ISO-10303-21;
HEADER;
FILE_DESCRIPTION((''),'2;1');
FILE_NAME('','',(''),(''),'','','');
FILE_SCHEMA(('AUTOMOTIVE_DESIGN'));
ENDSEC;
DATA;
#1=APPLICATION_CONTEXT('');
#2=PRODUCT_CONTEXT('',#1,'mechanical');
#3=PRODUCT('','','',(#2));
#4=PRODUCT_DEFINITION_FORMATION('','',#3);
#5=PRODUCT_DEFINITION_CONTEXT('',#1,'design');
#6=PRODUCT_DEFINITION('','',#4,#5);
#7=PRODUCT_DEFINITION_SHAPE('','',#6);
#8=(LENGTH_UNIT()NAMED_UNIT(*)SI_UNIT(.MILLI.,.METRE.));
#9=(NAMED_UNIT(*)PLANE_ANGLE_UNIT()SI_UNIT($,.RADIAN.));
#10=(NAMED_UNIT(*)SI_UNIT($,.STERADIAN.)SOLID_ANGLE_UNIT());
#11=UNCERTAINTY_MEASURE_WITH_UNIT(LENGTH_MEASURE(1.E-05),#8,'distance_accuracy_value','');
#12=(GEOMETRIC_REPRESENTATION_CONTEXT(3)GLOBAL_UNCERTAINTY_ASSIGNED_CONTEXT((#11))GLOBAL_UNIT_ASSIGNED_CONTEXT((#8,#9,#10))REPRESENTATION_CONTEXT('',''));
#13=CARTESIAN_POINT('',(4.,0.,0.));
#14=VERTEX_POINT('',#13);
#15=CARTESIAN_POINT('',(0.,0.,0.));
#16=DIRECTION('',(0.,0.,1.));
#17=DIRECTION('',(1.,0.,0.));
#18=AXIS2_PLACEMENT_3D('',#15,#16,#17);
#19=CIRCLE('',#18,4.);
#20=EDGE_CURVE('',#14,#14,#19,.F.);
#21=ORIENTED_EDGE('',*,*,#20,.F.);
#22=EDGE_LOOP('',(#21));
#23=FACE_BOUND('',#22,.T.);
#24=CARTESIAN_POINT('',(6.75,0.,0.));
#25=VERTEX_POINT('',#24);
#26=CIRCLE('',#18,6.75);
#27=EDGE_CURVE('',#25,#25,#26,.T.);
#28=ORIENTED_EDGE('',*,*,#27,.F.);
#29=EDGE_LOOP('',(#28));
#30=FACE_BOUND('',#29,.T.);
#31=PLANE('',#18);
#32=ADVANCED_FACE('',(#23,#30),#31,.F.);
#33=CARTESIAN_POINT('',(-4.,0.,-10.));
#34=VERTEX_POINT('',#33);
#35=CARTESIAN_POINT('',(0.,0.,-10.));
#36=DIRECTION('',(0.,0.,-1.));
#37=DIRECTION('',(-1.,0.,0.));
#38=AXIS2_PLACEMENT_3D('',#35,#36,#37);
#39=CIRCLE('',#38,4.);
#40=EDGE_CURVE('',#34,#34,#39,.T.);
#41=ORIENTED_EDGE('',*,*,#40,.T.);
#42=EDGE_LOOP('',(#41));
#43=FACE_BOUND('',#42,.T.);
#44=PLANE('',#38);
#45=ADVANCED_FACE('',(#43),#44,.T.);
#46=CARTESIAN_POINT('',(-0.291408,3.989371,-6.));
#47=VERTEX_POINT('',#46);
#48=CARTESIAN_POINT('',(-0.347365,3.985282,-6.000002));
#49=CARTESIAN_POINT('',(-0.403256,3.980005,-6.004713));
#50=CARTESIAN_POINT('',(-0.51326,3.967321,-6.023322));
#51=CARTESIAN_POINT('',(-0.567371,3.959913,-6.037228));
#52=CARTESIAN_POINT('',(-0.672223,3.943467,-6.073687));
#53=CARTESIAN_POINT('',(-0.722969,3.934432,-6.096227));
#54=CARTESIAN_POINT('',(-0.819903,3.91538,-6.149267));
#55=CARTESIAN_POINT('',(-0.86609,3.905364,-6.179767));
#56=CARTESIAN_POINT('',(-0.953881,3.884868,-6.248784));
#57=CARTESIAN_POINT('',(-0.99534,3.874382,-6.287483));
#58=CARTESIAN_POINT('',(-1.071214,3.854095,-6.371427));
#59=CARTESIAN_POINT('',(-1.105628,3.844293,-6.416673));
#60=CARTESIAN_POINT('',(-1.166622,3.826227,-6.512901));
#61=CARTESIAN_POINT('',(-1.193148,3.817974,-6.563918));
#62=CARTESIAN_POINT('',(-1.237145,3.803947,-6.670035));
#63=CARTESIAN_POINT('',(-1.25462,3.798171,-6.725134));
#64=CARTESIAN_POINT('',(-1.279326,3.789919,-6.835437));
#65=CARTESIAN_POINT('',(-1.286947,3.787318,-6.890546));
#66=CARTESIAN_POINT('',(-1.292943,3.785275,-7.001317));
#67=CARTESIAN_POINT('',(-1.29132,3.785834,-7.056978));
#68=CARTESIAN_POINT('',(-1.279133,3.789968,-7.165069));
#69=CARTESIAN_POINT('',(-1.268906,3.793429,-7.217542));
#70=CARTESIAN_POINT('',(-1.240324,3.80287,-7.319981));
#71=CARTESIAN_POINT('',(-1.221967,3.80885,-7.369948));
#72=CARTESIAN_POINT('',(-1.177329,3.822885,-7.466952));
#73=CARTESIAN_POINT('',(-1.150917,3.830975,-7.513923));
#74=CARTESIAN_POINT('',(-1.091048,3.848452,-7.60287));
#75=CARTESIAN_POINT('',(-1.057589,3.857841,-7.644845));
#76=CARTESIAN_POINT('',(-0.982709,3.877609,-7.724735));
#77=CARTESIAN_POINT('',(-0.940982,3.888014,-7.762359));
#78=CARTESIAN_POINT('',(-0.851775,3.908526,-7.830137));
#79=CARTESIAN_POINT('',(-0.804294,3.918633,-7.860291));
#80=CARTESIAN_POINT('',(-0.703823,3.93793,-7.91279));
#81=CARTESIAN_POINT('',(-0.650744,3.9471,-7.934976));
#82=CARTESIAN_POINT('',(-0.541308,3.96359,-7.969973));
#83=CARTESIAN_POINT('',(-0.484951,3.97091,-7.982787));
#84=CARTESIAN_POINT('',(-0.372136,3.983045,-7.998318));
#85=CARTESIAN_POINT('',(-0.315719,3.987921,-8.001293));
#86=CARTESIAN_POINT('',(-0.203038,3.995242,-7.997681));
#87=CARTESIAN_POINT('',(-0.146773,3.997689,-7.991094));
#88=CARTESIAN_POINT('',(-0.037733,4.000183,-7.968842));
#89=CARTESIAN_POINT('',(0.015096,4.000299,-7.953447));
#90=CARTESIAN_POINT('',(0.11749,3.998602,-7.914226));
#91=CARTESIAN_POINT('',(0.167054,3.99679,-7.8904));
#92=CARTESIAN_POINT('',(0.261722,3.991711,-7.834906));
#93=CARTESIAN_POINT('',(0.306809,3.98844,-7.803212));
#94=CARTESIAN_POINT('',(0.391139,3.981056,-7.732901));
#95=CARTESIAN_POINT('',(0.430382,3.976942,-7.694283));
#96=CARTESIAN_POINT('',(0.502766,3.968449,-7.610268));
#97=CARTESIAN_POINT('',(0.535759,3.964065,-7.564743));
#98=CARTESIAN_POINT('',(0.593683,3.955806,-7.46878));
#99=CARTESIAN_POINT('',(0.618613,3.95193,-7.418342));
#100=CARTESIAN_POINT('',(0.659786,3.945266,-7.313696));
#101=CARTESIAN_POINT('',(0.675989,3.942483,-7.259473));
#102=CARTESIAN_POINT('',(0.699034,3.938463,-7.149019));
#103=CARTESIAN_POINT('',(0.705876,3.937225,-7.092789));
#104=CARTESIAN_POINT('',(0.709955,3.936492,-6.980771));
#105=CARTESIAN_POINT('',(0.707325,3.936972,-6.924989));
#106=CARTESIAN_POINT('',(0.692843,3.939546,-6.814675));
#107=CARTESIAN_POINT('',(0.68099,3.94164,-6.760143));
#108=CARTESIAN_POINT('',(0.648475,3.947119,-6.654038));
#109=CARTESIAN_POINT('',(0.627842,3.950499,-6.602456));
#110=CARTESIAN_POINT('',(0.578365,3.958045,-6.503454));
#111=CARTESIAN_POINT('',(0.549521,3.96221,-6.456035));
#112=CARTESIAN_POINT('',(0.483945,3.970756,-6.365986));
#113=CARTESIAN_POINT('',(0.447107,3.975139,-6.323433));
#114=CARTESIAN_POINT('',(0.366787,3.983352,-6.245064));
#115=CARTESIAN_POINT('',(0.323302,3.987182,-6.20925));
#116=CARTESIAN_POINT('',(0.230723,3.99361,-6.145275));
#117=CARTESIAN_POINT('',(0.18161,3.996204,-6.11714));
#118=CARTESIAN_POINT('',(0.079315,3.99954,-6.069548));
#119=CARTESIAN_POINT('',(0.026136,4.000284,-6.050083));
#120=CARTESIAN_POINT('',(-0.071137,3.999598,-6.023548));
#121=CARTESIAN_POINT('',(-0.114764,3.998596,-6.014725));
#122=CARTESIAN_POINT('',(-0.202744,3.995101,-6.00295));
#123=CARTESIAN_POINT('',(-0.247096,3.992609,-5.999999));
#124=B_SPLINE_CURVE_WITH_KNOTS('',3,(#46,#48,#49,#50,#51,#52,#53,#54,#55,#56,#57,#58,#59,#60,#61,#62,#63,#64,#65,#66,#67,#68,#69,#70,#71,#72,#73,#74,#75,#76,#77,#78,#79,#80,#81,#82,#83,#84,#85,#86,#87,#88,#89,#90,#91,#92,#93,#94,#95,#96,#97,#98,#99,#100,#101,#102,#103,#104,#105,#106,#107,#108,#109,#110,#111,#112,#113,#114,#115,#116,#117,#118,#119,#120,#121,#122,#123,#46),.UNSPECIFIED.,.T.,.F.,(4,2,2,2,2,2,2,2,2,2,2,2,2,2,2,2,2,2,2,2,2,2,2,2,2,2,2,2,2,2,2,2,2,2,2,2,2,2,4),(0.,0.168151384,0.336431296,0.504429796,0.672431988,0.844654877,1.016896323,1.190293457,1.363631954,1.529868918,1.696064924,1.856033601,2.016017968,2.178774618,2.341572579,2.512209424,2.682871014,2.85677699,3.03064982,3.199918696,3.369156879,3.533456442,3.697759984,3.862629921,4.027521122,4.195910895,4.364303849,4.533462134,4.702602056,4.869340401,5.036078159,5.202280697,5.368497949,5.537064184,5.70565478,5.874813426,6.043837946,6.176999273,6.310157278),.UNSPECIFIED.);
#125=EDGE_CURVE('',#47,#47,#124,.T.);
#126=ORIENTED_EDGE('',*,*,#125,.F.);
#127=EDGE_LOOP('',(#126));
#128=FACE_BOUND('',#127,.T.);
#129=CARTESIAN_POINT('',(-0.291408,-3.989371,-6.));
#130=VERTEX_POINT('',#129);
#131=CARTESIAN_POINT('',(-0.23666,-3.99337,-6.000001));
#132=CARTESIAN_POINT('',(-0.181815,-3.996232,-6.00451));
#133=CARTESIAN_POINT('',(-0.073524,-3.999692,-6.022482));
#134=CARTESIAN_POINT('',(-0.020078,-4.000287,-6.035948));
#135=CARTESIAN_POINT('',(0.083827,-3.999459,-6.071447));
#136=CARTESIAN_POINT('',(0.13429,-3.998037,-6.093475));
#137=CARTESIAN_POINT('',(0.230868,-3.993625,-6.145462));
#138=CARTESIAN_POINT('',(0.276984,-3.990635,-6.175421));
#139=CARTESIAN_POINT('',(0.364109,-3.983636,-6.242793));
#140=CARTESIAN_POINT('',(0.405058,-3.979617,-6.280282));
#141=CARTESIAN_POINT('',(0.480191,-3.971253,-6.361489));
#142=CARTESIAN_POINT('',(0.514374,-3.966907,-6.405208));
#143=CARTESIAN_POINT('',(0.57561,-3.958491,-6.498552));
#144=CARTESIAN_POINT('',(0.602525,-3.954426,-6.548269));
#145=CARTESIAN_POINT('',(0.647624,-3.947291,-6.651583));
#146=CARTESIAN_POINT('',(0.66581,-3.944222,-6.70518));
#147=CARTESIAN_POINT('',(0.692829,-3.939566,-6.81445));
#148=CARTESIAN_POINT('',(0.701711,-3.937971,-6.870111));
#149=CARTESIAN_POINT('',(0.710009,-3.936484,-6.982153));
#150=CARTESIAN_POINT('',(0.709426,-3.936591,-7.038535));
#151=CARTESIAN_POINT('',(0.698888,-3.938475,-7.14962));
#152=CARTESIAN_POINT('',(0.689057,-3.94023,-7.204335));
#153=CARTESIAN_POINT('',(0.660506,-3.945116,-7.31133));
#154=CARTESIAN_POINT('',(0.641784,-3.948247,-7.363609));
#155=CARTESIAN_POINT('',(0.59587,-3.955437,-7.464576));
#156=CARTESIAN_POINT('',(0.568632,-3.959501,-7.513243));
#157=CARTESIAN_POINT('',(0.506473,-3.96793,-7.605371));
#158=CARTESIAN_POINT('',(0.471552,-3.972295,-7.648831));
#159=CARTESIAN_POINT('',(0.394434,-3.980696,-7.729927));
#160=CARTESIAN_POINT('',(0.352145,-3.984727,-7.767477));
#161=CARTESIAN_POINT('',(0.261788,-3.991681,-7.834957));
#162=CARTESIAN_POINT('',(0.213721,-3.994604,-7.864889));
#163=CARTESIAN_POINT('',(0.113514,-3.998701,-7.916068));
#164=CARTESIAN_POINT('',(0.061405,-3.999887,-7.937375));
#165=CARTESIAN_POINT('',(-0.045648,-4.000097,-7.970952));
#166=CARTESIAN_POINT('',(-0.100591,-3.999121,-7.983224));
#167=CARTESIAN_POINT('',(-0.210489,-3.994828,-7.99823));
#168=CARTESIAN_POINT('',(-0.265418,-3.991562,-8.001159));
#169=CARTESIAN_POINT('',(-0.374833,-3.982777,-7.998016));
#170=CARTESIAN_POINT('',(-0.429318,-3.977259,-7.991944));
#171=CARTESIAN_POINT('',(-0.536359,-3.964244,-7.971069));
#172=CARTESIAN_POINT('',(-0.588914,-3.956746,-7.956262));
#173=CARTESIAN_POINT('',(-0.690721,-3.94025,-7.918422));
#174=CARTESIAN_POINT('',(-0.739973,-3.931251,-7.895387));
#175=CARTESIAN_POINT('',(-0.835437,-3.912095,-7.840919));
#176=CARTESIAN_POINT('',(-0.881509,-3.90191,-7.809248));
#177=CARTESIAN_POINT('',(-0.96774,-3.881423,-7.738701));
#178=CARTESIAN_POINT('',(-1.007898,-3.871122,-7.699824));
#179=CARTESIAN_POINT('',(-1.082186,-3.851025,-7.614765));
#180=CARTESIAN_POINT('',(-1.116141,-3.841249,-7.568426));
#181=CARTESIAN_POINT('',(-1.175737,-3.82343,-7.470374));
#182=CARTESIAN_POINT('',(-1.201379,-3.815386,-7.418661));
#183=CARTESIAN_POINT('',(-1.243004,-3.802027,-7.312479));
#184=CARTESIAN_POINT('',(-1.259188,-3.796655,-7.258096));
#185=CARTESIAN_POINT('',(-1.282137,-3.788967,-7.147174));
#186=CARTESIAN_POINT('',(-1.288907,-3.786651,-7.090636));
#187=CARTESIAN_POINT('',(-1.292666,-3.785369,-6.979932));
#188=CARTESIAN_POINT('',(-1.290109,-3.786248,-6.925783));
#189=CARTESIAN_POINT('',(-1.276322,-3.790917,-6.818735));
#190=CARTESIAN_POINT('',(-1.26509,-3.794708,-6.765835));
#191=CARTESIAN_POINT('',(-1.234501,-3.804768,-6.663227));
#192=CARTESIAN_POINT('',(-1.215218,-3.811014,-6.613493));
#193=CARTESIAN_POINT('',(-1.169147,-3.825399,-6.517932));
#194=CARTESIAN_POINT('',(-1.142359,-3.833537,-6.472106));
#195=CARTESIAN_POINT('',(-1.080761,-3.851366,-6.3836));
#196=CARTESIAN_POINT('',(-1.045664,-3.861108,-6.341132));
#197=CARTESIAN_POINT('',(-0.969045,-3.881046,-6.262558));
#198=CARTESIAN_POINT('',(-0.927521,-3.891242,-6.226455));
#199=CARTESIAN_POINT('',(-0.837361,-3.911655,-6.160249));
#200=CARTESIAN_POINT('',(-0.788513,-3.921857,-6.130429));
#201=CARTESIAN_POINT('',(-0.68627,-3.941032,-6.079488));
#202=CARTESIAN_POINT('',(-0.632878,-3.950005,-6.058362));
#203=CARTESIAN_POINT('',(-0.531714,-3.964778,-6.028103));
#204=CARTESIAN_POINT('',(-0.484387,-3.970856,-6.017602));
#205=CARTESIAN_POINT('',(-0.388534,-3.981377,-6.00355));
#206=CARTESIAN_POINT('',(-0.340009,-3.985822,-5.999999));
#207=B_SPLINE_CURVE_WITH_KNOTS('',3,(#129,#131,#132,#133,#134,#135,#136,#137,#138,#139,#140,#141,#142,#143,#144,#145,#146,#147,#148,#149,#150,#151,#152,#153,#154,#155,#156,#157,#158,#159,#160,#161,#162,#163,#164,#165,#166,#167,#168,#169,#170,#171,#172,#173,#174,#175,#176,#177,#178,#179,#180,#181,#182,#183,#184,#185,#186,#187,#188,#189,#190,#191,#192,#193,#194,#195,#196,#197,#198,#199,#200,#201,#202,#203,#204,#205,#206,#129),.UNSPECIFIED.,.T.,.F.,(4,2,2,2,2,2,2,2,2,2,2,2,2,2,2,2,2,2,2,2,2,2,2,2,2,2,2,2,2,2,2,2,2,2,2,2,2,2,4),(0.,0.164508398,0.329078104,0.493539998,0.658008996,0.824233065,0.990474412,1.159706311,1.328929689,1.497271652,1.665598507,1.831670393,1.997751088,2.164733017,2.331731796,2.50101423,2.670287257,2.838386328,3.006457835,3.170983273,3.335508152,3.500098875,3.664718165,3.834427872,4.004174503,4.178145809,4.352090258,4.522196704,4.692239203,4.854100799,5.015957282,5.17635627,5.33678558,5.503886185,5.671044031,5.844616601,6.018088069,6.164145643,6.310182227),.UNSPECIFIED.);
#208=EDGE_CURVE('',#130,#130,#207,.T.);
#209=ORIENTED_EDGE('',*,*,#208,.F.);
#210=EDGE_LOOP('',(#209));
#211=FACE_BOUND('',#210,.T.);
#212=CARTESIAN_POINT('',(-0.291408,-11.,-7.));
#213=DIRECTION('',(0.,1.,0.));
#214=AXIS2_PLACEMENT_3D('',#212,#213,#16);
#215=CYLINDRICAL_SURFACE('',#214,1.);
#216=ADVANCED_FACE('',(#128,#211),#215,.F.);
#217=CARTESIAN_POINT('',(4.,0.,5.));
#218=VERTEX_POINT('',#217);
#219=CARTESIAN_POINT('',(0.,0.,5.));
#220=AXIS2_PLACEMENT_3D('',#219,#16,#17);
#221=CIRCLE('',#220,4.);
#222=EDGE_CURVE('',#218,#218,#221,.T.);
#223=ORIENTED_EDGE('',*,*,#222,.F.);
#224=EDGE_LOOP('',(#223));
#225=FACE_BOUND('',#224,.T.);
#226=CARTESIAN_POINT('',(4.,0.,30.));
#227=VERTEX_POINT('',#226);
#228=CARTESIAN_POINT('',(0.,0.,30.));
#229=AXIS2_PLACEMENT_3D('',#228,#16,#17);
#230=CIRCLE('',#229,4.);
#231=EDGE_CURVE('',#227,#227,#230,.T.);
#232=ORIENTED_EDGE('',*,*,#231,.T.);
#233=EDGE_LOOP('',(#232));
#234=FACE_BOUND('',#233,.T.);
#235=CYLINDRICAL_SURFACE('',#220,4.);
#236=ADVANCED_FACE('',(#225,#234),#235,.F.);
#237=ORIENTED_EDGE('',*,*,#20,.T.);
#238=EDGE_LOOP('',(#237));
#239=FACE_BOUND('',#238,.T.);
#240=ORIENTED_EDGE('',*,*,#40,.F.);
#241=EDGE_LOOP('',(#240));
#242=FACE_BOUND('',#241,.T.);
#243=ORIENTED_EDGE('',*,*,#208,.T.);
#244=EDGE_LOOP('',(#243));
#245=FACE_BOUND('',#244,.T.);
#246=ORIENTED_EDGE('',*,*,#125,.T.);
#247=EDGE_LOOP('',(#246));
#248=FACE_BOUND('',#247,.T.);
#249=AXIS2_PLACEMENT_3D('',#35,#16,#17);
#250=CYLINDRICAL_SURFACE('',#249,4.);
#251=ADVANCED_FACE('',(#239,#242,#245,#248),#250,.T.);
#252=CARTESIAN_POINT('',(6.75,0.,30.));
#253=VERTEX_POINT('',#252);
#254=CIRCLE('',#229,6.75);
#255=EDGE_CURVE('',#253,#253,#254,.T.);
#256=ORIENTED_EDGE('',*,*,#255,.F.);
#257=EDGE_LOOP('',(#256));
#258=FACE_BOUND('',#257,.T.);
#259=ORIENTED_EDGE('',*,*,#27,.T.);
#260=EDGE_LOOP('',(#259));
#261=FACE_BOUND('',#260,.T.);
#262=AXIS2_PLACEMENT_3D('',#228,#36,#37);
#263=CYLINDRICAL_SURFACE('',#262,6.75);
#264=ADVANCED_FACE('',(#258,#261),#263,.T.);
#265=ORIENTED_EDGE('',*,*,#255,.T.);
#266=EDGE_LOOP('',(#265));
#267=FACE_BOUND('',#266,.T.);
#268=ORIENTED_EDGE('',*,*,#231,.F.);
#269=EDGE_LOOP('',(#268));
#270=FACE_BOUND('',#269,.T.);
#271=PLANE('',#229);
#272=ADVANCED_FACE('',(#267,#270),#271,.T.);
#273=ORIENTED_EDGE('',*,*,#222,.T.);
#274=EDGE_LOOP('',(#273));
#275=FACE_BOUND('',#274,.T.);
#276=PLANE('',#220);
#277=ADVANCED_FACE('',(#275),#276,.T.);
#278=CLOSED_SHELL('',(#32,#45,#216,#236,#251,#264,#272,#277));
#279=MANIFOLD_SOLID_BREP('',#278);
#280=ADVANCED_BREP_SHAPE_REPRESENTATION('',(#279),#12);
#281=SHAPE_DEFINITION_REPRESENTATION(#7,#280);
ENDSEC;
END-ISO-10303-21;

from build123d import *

# Parameters (mm, degrees)
SKETCH1_R           = 6.75
BOSS_EXTRUDE1_DEPTH = 30
SKETCH3_R           = 4
BOSS_EXTRUDE4_DEPTH = 10
SKETCH4_R           = 1
CUT_EXTRUDE2_DEPTH  = 15
SKETCH2_R           = 4
CUT_EXTRUDE3_DEPTH  = 25


with BuildPart() as part:
    # Sketch1 → Boss-Extrude1 (new body)
    with BuildSketch(Plane.XY):
        Circle(SKETCH1_R)
    extrude(amount=BOSS_EXTRUDE1_DEPTH)

    # Sketch3 → Boss-Extrude4 (add)
    with BuildSketch(Plane(origin=(0, 0, 0), x_dir=(-1, 0, 0), z_dir=(0, 0, -1))):
        with Locations(Location((0, 0, 0), (0, 0, 180))):
            Circle(SKETCH3_R)
    extrude(amount=BOSS_EXTRUDE4_DEPTH)

    # Sketch4 → Cut-Extrude2 (cut)
    with BuildSketch(Plane(origin=(0, 4, 0), x_dir=(1, 0, 0), z_dir=(0, 1, 0))):
        with Locations(Location((-0.291407977, 7, 0), (0, 0, 270))):
            Circle(SKETCH4_R)
    extrude(amount=-CUT_EXTRUDE2_DEPTH, mode=Mode.SUBTRACT)

    # Sketch2 → Cut-Extrude3 (cut)
    with BuildSketch(Plane.XY.offset(30)):
        Circle(SKETCH2_R)
    extrude(amount=-CUT_EXTRUDE3_DEPTH, mode=Mode.SUBTRACT)


solid = part.part
